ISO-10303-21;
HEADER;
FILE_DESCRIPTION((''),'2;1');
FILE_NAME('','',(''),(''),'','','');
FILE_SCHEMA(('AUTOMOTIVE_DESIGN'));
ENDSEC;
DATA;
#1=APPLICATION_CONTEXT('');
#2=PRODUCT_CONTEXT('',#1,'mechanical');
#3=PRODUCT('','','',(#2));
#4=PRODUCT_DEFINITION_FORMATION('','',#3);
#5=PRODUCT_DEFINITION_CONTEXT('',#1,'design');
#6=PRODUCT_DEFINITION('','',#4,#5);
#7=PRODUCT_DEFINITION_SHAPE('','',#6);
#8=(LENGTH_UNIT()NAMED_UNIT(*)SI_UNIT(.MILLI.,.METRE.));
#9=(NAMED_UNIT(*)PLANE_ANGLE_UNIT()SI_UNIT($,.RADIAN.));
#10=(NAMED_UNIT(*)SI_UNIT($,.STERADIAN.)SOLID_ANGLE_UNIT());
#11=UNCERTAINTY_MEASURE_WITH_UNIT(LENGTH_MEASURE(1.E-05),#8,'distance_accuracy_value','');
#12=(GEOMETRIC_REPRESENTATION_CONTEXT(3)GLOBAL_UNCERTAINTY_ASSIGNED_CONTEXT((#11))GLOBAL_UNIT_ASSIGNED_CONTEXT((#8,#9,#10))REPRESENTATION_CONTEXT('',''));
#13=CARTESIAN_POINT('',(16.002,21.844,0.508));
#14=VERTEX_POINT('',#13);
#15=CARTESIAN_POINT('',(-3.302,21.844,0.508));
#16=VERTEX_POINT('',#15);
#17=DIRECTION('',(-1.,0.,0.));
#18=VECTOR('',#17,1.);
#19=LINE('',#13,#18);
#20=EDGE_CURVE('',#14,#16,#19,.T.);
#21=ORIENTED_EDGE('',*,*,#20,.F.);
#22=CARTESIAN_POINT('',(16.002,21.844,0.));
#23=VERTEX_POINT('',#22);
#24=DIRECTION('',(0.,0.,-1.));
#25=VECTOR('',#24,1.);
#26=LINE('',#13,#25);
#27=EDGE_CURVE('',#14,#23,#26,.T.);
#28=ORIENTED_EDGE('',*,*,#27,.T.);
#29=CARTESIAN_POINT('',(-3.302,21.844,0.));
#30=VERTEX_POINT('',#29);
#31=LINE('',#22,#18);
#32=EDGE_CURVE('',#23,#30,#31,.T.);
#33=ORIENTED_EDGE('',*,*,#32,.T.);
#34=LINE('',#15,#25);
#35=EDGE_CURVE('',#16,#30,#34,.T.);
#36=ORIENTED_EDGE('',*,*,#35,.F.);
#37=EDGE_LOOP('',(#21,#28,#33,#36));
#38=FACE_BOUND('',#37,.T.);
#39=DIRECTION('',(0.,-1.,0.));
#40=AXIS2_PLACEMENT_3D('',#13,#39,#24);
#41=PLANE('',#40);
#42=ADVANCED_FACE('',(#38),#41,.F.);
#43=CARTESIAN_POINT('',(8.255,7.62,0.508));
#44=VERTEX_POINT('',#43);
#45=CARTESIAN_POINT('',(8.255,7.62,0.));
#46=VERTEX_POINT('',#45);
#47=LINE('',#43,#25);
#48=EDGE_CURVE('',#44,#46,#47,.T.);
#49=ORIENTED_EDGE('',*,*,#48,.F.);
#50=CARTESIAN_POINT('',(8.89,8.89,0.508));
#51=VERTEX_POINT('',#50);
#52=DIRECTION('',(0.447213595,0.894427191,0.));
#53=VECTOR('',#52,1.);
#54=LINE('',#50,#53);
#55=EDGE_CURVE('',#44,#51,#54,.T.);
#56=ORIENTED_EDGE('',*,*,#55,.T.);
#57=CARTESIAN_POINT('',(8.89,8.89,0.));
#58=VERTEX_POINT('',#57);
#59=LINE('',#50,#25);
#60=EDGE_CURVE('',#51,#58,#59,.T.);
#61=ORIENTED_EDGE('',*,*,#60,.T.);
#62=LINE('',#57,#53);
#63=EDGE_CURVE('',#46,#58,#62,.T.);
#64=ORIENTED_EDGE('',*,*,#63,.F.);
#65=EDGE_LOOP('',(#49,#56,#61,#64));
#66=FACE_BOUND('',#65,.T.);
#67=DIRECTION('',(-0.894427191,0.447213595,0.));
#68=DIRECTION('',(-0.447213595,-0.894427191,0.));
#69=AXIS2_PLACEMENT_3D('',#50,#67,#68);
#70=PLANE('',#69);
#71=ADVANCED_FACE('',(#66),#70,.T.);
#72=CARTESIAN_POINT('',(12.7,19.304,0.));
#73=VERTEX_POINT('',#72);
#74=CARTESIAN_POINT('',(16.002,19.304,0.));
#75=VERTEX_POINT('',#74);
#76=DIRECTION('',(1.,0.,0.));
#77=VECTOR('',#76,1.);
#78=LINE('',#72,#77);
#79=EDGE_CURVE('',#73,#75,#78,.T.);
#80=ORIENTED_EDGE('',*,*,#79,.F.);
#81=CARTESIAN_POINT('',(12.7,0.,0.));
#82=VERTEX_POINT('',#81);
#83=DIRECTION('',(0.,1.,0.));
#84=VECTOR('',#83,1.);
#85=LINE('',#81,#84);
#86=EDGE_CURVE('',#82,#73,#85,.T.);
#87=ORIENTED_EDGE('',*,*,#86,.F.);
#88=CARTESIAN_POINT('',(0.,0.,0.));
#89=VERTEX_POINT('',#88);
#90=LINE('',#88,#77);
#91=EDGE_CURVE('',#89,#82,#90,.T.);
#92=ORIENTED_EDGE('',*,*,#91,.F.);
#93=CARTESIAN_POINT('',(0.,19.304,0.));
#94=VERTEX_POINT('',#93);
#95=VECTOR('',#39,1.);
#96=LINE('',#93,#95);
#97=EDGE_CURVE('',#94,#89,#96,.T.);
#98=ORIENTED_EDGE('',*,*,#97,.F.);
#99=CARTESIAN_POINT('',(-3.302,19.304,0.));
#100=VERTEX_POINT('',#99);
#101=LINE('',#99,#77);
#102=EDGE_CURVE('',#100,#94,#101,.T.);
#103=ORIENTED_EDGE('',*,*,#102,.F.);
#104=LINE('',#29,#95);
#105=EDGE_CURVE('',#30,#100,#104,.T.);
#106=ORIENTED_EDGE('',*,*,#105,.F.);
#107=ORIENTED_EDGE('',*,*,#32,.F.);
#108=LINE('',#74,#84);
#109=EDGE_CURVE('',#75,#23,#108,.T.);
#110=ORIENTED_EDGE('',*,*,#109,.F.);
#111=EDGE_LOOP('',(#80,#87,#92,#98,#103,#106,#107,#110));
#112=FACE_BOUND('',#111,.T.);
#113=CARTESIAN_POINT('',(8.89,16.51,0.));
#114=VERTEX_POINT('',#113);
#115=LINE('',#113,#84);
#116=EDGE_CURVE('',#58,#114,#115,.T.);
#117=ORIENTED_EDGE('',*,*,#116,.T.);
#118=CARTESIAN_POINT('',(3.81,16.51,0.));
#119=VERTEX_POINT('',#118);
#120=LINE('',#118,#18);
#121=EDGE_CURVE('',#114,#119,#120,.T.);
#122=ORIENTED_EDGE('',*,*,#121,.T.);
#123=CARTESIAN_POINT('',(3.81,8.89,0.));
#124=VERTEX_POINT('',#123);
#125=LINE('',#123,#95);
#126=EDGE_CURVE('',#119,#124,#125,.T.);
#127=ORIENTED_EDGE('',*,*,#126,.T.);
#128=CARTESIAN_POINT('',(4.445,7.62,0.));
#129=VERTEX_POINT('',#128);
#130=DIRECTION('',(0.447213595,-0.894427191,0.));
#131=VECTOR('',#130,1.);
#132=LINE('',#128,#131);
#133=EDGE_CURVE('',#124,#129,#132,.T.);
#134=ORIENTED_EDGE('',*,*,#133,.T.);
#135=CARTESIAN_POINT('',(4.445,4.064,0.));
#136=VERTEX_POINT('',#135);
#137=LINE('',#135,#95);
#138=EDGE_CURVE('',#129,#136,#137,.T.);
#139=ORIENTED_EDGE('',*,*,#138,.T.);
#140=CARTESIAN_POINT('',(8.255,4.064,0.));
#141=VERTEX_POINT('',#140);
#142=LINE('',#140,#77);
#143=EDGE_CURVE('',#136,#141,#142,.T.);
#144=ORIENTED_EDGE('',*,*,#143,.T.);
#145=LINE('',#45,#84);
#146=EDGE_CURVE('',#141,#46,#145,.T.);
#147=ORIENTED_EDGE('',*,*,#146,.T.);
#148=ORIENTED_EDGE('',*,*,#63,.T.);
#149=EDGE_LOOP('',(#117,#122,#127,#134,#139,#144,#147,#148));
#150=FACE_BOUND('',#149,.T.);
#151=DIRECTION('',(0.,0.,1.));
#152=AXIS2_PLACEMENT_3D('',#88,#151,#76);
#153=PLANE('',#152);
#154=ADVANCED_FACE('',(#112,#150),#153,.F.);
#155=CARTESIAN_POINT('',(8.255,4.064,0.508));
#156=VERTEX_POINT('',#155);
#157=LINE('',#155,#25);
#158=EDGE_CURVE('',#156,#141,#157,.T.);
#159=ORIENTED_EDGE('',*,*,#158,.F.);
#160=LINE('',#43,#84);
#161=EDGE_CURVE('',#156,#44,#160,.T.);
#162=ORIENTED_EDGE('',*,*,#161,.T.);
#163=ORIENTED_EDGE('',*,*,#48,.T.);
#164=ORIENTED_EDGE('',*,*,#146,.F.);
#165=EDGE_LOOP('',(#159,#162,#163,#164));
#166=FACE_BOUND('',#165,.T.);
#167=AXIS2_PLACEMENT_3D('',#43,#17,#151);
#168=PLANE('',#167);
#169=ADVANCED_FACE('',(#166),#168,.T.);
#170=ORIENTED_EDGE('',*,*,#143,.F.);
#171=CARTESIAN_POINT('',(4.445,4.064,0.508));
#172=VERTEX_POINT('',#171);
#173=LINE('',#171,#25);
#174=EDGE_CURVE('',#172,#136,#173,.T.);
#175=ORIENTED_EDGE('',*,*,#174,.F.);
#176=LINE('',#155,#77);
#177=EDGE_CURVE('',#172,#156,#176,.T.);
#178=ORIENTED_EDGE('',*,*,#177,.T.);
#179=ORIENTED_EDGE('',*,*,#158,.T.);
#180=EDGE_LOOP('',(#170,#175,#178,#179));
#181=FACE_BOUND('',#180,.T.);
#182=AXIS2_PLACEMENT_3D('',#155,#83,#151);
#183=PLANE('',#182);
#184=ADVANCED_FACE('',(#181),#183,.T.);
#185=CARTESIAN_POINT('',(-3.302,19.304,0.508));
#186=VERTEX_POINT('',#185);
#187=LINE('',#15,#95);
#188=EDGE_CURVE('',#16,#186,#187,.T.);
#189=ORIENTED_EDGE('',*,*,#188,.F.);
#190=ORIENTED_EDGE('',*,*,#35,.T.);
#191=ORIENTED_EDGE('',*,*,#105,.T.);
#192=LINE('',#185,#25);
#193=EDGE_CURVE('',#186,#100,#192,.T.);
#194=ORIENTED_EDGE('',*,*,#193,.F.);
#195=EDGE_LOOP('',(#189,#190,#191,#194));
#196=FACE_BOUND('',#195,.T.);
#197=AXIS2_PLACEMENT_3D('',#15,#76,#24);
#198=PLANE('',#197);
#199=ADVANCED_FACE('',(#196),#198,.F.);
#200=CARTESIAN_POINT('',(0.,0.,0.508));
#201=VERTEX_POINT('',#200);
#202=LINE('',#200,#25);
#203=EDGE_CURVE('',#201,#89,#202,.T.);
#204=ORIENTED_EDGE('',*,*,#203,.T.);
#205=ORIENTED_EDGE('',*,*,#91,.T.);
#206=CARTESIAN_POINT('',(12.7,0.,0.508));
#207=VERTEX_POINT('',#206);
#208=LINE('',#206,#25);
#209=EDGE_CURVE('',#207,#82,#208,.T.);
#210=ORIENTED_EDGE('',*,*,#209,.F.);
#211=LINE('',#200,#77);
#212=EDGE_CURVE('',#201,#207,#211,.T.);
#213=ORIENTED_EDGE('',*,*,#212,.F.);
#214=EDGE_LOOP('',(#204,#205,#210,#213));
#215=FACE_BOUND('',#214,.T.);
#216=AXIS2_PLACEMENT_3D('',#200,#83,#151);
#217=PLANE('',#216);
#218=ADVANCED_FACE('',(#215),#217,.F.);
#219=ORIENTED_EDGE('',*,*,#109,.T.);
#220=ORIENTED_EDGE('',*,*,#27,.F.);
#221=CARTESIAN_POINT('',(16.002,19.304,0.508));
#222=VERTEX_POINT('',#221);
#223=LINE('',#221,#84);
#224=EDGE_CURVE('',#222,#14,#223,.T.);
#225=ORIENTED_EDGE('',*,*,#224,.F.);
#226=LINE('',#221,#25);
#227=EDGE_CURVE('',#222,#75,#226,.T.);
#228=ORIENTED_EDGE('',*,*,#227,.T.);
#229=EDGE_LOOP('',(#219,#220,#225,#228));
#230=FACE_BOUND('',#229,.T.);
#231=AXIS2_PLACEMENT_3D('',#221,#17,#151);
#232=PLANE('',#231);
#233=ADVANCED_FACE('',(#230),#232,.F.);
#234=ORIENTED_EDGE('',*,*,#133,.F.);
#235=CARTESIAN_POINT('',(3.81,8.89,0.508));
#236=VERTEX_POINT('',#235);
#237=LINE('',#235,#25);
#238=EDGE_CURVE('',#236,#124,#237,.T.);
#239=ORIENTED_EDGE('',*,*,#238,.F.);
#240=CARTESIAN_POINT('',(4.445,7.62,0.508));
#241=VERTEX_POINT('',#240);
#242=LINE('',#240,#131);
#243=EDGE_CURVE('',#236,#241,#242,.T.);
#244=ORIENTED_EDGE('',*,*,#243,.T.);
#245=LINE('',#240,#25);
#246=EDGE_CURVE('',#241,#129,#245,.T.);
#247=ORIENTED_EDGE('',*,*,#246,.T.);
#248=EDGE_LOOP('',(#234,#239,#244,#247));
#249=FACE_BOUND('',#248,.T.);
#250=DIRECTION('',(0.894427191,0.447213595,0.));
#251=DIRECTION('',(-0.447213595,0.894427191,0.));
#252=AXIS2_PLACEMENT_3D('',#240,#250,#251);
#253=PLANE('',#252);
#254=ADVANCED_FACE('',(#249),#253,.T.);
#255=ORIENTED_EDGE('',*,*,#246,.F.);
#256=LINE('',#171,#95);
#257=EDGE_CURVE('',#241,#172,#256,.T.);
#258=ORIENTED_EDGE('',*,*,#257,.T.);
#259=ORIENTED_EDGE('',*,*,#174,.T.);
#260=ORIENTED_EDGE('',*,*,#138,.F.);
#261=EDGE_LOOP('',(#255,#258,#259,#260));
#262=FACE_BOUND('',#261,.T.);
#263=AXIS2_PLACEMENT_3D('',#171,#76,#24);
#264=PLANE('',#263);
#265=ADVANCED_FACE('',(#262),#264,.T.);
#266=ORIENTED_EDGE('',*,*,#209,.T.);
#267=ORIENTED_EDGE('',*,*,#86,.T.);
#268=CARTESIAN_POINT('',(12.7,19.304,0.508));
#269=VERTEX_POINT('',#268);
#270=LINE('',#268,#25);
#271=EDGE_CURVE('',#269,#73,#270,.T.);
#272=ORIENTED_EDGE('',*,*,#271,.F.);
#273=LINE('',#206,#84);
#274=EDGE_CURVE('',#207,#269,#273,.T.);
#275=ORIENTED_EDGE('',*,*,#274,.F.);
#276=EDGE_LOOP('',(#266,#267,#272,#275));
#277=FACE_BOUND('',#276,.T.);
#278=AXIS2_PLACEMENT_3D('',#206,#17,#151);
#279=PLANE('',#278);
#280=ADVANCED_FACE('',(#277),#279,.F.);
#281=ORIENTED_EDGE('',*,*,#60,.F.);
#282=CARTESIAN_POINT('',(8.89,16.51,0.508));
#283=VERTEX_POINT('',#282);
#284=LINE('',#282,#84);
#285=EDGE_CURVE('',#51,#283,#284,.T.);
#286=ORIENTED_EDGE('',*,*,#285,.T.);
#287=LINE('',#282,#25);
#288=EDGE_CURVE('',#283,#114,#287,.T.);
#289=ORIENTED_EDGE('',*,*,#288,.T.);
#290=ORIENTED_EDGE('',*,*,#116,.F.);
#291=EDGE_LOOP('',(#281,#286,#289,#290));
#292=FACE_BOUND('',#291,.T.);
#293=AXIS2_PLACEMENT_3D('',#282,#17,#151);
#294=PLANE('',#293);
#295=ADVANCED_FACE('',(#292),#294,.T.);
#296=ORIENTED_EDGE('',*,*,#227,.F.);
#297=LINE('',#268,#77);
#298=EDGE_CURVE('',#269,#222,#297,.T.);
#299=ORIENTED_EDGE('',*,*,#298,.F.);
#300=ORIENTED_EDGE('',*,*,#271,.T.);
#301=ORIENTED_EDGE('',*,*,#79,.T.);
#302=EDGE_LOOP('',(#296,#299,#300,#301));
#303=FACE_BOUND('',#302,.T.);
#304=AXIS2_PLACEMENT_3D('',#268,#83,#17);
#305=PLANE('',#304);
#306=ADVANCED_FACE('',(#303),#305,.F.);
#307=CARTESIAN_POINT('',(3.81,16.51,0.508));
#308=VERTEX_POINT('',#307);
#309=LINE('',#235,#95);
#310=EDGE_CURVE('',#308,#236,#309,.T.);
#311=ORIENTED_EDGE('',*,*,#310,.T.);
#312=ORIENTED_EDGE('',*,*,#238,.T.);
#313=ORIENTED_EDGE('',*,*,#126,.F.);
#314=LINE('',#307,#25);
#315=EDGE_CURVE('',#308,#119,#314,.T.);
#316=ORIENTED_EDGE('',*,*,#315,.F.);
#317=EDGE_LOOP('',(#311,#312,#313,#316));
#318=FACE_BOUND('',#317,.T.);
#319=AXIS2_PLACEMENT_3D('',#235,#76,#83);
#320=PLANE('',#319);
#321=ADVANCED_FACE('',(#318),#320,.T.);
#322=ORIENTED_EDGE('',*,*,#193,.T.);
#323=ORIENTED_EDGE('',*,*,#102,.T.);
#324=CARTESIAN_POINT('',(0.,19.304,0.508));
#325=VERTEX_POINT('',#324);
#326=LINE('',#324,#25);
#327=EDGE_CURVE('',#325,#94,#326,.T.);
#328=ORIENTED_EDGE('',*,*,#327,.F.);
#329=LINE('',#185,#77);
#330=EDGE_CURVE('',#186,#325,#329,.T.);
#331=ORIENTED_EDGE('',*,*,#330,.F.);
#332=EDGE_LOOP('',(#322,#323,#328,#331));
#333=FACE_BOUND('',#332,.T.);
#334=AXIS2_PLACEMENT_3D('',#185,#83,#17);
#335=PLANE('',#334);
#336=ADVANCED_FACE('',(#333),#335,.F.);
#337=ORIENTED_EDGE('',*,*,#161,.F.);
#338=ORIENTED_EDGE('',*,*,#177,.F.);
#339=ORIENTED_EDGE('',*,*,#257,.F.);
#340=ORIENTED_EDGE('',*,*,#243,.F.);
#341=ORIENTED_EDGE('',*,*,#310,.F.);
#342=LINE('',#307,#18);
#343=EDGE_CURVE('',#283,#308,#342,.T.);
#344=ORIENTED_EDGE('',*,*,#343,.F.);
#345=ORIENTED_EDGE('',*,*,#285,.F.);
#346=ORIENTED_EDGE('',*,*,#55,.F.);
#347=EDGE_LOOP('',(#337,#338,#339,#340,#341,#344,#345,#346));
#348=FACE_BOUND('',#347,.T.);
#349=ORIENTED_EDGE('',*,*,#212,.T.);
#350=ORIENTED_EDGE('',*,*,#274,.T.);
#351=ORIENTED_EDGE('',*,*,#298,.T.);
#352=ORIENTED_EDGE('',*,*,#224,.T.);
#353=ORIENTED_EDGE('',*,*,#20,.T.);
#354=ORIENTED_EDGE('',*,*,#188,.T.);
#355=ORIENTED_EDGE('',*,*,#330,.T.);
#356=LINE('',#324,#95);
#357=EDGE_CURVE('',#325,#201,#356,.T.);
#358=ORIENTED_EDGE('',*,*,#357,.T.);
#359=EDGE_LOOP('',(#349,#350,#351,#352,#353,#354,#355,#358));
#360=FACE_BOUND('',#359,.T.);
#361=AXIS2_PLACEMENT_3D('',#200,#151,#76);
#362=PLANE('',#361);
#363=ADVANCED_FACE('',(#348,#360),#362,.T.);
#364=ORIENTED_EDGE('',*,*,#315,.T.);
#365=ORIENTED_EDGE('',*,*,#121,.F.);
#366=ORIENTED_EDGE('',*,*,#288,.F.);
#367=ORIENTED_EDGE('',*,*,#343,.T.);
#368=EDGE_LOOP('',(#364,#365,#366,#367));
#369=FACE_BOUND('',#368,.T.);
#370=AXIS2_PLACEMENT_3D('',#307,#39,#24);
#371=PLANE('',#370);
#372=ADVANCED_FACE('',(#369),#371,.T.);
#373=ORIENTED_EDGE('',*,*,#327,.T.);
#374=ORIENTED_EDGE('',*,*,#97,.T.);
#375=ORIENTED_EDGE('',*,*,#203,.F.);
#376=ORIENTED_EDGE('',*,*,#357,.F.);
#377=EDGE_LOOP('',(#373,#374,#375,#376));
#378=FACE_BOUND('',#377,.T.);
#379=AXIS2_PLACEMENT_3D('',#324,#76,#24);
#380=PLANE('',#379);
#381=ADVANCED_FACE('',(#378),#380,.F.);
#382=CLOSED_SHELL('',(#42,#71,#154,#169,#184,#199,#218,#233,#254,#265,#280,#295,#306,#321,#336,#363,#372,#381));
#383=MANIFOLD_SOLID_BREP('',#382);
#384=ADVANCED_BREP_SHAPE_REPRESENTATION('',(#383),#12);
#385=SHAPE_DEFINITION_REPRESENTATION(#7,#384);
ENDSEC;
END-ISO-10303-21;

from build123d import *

# Parameters (mm, degrees)
BOSS_EXTRUDE1_DEPTH = 0.508


with BuildPart() as part:
    # Sketch1 → Boss-Extrude1 (new body)
    with BuildSketch(Plane.XY):
        Polygon((0, 0), (12.7, 0), (12.7, 19.304), (16.002, 19.304), (16.002, 21.844), (-3.302, 21.844), (-3.302, 19.304), (0, 19.304), align=None)
        Polygon((3.81, 16.51), (8.89, 16.51), (8.89, 8.89), (8.255, 7.62), (8.255, 4.064), (4.445, 4.064), (4.445, 7.62), (3.81, 8.89), align=None, mode=Mode.SUBTRACT)
    extrude(amount=BOSS_EXTRUDE1_DEPTH)


solid = part.part
